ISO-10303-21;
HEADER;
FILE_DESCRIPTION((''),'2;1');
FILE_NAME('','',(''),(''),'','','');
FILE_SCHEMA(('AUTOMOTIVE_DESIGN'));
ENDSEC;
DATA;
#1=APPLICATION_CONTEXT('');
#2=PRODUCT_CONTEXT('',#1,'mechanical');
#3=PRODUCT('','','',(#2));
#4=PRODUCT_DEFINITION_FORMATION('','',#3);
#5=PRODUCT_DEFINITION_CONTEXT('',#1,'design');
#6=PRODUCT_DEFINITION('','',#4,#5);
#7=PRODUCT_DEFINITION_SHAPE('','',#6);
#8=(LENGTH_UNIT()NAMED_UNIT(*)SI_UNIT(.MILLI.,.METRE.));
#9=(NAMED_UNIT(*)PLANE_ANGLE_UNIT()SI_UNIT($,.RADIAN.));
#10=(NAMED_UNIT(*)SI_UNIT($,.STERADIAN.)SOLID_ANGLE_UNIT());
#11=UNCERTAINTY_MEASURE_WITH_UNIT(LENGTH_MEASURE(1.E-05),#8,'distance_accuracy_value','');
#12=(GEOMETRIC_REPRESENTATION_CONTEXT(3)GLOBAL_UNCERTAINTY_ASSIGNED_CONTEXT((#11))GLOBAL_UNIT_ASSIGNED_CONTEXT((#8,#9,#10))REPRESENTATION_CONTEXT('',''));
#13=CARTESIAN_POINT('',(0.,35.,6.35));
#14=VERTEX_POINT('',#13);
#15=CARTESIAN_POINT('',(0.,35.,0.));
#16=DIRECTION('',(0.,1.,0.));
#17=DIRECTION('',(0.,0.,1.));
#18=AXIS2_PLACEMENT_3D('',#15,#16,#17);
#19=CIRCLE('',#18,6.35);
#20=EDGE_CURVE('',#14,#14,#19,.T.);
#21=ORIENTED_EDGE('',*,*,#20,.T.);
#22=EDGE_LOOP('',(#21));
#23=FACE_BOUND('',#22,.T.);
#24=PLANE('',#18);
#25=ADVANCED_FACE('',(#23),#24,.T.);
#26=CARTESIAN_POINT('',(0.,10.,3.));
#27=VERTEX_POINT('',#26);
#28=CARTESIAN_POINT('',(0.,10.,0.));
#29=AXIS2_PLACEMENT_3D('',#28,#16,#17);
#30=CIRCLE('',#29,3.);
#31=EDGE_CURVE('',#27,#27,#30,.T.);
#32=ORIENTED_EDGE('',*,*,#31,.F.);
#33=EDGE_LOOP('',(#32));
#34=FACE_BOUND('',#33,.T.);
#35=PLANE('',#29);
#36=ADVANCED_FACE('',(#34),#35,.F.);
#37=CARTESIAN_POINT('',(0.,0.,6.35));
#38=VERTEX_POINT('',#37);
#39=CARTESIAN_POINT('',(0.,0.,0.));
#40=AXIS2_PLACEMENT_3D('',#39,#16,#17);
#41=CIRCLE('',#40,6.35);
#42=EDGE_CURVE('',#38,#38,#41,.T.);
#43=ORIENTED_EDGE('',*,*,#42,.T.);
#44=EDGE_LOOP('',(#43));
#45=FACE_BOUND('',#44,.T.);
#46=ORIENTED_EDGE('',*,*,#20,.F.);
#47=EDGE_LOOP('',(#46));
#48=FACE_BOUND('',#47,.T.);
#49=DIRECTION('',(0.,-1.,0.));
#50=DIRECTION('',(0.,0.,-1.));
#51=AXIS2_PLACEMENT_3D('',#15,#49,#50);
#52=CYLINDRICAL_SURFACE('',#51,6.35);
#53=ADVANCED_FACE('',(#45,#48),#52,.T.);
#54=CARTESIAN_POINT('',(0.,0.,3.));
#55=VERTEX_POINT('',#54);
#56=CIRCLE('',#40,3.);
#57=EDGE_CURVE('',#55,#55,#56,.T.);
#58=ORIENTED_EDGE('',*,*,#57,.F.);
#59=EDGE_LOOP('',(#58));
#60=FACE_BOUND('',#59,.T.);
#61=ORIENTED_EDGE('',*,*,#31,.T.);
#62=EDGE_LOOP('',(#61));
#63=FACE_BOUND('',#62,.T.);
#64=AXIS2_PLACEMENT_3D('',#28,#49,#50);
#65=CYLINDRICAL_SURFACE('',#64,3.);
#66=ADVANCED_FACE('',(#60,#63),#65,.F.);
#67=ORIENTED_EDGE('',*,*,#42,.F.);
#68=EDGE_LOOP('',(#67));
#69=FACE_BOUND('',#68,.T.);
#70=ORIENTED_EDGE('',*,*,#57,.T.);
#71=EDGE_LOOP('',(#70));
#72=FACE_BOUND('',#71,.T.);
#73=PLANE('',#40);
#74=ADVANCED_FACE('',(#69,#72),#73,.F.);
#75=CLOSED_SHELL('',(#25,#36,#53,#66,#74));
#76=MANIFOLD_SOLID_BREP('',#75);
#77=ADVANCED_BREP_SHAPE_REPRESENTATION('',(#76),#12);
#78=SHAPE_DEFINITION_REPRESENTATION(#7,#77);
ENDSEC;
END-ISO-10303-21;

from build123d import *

# Parameters (mm, degrees)
BODY_R              = 6.35
BOSS_EXTRUDE1_DEPTH = 35
HOLE_R              = 3
CUT_EXTRUDE1_DEPTH  = 10


with BuildPart() as part:
    # body → Boss-Extrude1 (new body)
    with BuildSketch(Plane(origin=(0, 0, 0), x_dir=(1, 0, 0), z_dir=(0, 1, 0))):
        Circle(BODY_R)
    extrude(amount=BOSS_EXTRUDE1_DEPTH)

    # hole → Cut-Extrude1 (cut)
    with BuildSketch(Plane(origin=(0, 0, 0), x_dir=(1, 0, 0), z_dir=(0, 1, 0))):
        Circle(HOLE_R)
    extrude(amount=CUT_EXTRUDE1_DEPTH, mode=Mode.SUBTRACT)


solid = part.part
